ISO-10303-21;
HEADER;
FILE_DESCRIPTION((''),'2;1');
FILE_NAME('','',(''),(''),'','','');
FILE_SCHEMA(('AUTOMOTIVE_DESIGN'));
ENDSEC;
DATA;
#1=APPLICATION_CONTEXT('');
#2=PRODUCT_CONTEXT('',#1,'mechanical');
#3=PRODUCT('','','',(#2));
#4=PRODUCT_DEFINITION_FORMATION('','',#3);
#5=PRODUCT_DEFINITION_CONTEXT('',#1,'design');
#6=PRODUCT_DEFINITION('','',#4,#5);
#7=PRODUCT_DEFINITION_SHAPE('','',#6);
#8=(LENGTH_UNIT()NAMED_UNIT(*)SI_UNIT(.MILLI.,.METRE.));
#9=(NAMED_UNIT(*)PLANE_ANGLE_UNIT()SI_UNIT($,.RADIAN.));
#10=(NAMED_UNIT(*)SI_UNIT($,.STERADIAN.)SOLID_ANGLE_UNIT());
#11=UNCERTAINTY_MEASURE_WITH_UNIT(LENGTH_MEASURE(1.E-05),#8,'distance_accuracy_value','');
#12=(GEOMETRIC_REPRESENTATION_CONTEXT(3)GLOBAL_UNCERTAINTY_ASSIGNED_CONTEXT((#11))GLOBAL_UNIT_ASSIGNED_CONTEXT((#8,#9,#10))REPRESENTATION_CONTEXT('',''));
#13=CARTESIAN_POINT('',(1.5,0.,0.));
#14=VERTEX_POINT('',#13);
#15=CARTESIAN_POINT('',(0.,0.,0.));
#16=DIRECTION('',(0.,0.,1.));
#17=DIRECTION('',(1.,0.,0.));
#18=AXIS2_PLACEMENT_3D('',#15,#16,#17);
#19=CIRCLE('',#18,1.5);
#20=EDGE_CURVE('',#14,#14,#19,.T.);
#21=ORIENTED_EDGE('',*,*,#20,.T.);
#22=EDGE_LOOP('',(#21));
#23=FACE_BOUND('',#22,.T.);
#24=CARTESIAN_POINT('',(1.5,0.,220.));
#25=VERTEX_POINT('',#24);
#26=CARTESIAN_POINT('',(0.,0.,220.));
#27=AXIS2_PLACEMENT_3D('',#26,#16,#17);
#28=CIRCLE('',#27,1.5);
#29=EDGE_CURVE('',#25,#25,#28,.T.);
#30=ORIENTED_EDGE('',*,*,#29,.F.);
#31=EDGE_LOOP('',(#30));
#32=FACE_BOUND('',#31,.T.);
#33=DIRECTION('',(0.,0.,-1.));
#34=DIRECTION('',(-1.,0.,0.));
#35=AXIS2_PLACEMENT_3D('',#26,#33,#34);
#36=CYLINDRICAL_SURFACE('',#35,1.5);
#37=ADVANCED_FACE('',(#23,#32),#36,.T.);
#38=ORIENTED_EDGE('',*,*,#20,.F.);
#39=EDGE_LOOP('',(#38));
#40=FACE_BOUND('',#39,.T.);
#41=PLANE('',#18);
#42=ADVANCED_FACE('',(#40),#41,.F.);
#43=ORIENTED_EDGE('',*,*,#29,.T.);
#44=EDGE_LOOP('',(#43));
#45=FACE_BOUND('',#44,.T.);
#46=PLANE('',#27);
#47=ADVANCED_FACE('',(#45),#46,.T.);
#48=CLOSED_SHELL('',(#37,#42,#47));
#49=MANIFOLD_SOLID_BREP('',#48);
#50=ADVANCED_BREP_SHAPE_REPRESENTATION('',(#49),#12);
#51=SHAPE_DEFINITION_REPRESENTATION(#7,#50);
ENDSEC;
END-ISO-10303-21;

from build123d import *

# Parameters (mm, degrees)
ESQUISSE1_R        = 1.5
BOSS_EXTRU_1_DEPTH = 220


with BuildPart() as part:
    # Esquisse1 → Boss.-Extru.1 (new body)
    with BuildSketch(Plane.XY):
        Circle(ESQUISSE1_R)
    extrude(amount=BOSS_EXTRU_1_DEPTH)


solid = part.part
